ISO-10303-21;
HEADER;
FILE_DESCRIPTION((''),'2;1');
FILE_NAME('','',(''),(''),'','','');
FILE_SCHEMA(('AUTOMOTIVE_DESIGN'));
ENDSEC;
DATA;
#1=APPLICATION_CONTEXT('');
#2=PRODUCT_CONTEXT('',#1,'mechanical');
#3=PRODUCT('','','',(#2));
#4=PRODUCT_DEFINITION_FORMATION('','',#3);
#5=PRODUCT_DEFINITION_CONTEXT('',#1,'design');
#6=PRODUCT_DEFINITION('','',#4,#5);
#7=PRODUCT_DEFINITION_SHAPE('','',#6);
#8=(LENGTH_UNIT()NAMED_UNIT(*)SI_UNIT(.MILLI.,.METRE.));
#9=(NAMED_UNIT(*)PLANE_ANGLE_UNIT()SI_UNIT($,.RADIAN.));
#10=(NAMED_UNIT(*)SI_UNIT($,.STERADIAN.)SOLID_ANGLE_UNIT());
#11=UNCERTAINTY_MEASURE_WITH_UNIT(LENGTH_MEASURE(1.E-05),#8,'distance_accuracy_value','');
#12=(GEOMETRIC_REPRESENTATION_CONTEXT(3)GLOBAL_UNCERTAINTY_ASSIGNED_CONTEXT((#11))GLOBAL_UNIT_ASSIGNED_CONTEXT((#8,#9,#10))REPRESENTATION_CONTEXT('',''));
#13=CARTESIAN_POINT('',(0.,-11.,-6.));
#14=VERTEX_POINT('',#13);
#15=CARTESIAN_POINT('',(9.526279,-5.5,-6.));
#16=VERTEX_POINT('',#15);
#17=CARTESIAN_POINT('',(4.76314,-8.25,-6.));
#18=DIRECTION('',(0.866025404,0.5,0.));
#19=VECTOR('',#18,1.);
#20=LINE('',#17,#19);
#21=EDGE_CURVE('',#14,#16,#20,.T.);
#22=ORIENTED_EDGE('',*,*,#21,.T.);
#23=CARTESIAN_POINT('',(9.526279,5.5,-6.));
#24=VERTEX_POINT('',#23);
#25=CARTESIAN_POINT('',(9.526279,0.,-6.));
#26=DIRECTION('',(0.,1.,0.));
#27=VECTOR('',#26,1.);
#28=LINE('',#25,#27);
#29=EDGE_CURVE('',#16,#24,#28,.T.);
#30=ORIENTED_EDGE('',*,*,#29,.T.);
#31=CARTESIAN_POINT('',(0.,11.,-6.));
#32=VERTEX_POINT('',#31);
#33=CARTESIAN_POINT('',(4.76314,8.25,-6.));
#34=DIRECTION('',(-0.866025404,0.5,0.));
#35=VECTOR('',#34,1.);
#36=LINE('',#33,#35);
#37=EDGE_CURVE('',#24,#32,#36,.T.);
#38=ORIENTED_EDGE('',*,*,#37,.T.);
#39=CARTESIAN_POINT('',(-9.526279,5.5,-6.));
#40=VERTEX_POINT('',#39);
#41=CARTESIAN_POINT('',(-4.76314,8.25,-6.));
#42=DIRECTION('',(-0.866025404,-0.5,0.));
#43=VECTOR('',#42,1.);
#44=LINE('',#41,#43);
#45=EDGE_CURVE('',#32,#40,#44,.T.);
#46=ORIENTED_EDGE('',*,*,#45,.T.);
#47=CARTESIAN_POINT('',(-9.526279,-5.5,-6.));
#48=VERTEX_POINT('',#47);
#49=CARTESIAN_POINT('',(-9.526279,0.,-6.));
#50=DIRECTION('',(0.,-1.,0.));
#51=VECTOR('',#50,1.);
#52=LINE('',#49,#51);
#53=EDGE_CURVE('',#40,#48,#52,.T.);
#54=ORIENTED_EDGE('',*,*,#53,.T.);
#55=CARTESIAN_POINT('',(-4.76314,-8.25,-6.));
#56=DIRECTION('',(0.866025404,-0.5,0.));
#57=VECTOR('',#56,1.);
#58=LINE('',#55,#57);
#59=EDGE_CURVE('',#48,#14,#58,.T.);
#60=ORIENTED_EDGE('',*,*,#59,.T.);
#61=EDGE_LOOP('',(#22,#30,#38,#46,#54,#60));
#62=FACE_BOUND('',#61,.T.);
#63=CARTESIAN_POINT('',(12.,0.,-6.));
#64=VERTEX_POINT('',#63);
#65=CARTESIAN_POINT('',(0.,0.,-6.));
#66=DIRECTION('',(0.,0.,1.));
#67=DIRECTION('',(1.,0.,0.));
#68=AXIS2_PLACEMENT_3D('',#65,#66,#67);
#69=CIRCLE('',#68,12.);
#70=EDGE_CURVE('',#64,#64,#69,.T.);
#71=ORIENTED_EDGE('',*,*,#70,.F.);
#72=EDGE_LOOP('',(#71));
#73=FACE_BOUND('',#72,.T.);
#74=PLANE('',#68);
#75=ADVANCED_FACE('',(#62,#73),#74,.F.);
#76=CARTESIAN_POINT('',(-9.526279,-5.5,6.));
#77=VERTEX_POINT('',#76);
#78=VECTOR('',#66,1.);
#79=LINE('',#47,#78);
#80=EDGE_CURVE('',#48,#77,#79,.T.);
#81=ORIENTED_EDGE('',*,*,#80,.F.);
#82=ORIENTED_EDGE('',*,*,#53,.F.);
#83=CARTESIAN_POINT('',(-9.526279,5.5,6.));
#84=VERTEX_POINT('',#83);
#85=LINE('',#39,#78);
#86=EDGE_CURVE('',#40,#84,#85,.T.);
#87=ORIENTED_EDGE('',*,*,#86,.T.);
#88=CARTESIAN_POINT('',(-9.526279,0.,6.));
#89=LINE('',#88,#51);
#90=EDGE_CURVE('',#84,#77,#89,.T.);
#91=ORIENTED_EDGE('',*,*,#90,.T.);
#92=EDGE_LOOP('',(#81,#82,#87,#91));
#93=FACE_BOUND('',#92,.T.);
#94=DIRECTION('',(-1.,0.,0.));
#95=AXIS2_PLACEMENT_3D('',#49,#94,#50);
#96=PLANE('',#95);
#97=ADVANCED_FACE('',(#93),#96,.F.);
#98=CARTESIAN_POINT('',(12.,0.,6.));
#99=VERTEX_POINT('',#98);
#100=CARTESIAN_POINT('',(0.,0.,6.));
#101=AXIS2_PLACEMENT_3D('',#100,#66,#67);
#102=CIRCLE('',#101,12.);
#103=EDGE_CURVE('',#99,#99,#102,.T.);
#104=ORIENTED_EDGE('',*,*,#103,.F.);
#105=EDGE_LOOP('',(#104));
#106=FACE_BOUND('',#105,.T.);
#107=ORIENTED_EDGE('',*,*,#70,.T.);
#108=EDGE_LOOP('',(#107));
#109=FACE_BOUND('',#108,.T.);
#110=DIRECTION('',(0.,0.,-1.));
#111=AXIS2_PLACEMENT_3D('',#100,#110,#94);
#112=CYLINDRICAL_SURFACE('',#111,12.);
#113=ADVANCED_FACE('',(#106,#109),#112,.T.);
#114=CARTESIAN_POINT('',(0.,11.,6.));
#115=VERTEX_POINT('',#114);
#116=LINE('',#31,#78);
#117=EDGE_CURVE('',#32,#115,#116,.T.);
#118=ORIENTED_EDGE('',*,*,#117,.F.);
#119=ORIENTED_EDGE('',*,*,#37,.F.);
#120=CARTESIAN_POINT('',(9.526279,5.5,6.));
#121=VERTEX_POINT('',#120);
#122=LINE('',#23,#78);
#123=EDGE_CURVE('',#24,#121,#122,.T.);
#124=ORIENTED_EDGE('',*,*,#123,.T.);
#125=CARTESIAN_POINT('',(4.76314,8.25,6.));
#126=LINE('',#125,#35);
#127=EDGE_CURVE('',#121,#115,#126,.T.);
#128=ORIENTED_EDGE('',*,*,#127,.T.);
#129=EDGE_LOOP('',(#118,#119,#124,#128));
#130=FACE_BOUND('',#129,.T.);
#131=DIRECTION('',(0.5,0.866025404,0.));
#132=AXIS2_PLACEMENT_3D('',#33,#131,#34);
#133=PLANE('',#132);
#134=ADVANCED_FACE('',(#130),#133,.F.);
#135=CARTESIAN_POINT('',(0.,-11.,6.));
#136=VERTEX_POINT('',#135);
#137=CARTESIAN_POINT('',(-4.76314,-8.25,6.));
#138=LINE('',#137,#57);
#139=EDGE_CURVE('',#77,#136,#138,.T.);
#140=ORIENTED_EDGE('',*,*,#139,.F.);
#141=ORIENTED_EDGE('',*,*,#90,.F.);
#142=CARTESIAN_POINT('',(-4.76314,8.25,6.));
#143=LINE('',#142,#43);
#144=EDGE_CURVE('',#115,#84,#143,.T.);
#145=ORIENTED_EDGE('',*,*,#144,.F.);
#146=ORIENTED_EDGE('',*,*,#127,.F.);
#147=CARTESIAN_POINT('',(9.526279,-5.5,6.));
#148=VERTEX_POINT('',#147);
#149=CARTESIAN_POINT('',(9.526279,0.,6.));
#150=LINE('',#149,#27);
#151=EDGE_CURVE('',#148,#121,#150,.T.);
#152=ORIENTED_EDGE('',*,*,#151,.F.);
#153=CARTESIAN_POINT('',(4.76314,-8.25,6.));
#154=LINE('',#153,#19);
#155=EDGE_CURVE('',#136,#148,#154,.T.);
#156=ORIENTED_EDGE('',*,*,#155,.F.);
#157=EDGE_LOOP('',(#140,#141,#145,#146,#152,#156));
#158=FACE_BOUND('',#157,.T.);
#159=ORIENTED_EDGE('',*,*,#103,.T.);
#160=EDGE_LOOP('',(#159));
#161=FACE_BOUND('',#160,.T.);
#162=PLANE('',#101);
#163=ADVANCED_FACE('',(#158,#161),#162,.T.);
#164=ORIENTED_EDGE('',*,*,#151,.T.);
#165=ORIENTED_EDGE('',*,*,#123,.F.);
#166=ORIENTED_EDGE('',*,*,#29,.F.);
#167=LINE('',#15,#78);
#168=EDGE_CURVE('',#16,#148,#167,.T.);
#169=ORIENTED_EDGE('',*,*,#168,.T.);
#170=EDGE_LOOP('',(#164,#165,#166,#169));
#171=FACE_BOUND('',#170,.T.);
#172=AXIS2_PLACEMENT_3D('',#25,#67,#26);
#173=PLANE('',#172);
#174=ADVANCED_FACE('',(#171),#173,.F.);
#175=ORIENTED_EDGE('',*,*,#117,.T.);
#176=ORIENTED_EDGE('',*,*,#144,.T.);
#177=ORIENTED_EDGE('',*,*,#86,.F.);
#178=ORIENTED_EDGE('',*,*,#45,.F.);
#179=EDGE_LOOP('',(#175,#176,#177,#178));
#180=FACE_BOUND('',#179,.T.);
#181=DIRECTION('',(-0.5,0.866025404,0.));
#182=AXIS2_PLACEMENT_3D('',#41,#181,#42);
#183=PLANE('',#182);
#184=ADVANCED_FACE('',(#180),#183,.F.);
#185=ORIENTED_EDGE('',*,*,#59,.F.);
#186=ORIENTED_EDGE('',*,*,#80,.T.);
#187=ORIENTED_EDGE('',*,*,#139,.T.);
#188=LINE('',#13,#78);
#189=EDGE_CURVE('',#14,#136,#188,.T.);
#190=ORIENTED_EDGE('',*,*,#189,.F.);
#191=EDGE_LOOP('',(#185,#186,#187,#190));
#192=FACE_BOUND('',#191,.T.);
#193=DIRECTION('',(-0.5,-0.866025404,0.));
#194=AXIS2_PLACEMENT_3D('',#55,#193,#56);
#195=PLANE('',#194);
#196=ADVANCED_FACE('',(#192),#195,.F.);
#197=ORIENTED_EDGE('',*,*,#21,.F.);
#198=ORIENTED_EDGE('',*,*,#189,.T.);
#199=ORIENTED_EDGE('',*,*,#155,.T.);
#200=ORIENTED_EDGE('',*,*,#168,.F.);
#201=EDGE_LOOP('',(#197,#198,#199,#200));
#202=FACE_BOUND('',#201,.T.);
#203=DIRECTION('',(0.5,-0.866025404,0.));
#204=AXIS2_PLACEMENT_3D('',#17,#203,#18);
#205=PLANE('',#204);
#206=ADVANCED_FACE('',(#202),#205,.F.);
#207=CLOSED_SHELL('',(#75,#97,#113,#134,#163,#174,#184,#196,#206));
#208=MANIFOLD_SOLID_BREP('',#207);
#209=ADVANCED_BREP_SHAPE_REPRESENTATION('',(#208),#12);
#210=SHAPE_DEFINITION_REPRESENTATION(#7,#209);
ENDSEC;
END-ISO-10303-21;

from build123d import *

# Parameters (mm, degrees)
SKETCH1_R               = 12
SKETCH1_R_2             = 6.4
BOSS_EXTRUDE1_DEPTH     = 6
CUT_EXTRUDE4_DEPTH      = 19
CUT_EXTRUDE4_DEPTH_BACK = 19


with BuildPart() as part:
    # Sketch1 → Boss-Extrude1 (new, symmetric)
    with BuildSketch(Plane.XY):
        Circle(SKETCH1_R)
        Circle(SKETCH1_R_2, mode=Mode.SUBTRACT)
    extrude(amount=BOSS_EXTRUDE1_DEPTH, both=True)

    # Sketch1_4 → Cut-Extrude4 (cut, two sides: drawn at the far end of the back side and taken through both)
    with BuildSketch(Plane.XY.offset(-CUT_EXTRUDE4_DEPTH_BACK)):
        Polygon((-9.526279442, -5.5), (0, -11), (9.526279442, -5.5), (9.526279442, 5.5), (0, 11), (-9.526279442, 5.5), align=None)
    extrude(amount=CUT_EXTRUDE4_DEPTH + CUT_EXTRUDE4_DEPTH_BACK, mode=Mode.SUBTRACT)


solid = part.part
